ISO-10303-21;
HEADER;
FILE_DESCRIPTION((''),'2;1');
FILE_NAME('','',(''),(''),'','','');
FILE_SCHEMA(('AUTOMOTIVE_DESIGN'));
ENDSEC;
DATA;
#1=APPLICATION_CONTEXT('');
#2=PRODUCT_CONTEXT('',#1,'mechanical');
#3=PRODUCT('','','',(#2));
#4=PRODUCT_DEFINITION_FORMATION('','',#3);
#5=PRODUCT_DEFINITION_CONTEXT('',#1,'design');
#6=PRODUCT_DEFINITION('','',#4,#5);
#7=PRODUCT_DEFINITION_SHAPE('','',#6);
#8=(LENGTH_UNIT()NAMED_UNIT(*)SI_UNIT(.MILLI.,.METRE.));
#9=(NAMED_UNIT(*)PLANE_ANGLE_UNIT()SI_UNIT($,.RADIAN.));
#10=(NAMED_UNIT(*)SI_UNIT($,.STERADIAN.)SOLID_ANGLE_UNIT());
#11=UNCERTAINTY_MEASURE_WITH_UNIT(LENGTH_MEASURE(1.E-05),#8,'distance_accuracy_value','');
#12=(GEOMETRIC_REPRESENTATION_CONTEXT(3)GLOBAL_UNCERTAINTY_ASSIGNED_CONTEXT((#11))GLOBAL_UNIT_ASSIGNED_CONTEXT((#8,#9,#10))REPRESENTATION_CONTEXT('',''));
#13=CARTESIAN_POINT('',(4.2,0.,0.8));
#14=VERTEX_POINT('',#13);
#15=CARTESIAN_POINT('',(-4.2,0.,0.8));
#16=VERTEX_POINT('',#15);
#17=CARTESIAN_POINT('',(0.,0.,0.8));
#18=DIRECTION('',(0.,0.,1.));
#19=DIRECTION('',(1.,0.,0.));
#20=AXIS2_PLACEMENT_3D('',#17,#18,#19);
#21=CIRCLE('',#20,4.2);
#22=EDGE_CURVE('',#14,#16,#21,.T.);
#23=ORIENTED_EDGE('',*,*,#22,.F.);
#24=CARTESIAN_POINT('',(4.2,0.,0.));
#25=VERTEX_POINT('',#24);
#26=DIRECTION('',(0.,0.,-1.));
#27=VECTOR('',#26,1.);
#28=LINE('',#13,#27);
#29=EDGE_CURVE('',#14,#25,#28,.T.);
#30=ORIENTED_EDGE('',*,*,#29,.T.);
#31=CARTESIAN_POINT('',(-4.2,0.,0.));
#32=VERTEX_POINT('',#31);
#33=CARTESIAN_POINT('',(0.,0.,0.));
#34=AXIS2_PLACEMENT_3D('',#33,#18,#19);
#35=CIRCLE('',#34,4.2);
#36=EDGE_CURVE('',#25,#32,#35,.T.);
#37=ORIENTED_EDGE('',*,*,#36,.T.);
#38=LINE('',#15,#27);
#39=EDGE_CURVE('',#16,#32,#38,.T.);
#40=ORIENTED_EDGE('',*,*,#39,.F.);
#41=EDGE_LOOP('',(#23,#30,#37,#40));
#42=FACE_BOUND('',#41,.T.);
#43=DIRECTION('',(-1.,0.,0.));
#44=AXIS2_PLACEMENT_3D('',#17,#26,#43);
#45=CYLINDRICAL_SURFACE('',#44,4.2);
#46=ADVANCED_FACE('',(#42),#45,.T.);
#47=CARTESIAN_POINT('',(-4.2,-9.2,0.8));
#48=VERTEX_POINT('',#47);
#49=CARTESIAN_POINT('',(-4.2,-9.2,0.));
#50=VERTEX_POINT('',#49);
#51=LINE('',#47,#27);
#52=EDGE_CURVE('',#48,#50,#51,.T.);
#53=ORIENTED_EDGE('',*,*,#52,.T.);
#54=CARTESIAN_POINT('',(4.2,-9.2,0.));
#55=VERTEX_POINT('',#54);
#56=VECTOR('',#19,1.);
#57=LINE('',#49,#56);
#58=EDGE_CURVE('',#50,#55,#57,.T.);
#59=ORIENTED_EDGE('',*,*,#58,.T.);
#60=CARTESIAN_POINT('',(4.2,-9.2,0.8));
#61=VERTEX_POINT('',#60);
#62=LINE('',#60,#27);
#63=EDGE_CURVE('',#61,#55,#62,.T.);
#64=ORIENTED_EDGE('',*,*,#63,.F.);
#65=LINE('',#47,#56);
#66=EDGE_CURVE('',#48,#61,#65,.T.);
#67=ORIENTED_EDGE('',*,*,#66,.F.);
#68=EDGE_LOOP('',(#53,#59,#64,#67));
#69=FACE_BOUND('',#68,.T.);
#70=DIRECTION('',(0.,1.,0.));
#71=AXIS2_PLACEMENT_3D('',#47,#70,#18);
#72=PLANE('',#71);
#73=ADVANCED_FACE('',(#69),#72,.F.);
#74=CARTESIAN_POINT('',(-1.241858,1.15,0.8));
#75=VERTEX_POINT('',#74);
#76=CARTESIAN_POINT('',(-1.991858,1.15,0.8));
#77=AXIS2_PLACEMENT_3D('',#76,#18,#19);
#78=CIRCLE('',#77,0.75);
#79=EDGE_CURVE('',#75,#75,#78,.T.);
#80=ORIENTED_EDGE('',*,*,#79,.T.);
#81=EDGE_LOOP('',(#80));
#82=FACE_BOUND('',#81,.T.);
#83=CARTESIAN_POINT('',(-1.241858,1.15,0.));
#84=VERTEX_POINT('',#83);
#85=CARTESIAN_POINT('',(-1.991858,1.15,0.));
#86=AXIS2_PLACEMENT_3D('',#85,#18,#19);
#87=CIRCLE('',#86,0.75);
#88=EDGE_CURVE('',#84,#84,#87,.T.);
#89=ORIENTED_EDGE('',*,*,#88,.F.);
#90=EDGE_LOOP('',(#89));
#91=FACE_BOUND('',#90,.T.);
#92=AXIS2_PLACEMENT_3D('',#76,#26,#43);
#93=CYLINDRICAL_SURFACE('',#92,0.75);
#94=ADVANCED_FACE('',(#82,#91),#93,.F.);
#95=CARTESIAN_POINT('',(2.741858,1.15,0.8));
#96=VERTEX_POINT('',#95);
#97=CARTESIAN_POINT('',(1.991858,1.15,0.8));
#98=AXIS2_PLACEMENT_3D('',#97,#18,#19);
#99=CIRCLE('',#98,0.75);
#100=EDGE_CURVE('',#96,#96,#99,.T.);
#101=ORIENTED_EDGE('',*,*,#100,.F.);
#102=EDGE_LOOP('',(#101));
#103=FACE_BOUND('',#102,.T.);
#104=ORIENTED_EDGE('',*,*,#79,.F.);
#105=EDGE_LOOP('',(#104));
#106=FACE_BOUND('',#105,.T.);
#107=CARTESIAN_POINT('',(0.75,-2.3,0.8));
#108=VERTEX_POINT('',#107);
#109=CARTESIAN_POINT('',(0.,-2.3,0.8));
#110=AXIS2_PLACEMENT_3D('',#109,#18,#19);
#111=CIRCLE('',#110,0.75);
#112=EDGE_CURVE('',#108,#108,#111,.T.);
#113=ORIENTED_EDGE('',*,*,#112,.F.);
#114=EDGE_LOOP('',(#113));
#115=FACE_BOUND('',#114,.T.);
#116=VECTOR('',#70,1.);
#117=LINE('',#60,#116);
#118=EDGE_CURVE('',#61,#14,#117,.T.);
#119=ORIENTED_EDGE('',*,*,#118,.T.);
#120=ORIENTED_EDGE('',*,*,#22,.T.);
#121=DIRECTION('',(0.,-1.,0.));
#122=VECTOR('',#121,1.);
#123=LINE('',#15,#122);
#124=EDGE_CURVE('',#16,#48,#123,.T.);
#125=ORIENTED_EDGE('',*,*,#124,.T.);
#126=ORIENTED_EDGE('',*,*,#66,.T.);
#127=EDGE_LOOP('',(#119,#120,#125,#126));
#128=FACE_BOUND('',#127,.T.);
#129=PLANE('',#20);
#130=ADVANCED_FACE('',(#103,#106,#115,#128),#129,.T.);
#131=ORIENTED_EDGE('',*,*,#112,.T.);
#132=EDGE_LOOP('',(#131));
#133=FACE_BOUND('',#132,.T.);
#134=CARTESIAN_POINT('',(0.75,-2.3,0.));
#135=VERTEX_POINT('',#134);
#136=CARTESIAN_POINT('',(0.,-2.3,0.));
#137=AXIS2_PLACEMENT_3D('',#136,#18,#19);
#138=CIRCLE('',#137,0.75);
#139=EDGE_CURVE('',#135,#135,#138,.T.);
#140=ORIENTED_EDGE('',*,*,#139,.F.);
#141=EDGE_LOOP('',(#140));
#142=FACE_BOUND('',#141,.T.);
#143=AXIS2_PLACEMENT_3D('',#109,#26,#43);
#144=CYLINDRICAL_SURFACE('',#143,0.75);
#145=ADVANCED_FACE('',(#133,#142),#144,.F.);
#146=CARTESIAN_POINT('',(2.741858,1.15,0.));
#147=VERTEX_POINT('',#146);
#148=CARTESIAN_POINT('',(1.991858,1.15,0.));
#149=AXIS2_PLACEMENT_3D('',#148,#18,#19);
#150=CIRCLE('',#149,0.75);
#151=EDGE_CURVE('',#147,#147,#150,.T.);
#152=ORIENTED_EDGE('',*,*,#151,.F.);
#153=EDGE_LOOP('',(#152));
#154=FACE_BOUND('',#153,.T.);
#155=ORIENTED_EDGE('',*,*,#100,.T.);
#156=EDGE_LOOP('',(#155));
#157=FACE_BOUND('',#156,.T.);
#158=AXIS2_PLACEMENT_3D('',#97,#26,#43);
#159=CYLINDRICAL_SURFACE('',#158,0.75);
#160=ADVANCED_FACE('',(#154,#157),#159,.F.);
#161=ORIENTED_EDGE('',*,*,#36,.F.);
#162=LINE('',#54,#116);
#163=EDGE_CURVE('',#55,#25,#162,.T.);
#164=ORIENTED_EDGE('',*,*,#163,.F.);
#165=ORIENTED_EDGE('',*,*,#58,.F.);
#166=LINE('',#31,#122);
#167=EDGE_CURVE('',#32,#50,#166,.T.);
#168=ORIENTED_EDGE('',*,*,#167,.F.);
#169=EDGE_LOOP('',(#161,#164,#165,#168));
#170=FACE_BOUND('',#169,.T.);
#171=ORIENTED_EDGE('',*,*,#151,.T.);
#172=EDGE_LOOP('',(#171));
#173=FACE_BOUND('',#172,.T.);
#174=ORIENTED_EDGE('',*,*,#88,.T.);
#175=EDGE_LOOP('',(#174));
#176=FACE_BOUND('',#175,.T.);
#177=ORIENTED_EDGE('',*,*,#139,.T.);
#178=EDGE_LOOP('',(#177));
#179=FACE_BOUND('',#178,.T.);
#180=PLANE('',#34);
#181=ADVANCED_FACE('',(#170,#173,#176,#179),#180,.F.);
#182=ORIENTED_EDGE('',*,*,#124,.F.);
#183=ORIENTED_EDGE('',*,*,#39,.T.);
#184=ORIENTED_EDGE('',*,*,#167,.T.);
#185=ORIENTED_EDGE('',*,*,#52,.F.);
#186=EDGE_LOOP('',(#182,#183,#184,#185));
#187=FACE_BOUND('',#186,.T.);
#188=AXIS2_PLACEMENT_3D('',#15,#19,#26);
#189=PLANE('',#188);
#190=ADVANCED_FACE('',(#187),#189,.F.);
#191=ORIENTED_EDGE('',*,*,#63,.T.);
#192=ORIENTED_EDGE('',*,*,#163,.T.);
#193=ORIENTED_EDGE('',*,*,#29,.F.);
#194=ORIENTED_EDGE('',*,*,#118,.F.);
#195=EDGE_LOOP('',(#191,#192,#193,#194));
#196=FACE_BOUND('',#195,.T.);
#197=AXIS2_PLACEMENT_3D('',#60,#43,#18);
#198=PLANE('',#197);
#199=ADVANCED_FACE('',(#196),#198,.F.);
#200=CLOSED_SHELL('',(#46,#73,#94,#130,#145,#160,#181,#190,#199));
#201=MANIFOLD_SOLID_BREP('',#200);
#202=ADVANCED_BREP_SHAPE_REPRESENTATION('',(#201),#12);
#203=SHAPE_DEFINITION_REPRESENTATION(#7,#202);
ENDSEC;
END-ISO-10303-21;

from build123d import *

# Parameters (mm, degrees)
SKETCH1_R           = 0.75
BOSS_EXTRUDE2_DEPTH = 0.8


with BuildPart() as part:
    # Sketch1 → Boss-Extrude2 (new body)
    with BuildSketch(Plane.XY):
        with BuildLine():
            Line((-4.2, 0), (-4.2, -9.2))
            Line((-4.2, -9.2), (4.2, -9.2))
            Line((4.2, -9.2), (4.2, 0))
            ThreePointArc((4.2, 0), (0, 4.2), (-4.2, 0))
        make_face()
        with Locations((0, -2.3)):
            Circle(SKETCH1_R, mode=Mode.SUBTRACT)
        with Locations((1.991858429, 1.15)):
            Circle(SKETCH1_R, mode=Mode.SUBTRACT)
        with Locations((-1.991858429, 1.15)):
            Circle(SKETCH1_R, mode=Mode.SUBTRACT)
    extrude(amount=BOSS_EXTRUDE2_DEPTH)


solid = part.part
